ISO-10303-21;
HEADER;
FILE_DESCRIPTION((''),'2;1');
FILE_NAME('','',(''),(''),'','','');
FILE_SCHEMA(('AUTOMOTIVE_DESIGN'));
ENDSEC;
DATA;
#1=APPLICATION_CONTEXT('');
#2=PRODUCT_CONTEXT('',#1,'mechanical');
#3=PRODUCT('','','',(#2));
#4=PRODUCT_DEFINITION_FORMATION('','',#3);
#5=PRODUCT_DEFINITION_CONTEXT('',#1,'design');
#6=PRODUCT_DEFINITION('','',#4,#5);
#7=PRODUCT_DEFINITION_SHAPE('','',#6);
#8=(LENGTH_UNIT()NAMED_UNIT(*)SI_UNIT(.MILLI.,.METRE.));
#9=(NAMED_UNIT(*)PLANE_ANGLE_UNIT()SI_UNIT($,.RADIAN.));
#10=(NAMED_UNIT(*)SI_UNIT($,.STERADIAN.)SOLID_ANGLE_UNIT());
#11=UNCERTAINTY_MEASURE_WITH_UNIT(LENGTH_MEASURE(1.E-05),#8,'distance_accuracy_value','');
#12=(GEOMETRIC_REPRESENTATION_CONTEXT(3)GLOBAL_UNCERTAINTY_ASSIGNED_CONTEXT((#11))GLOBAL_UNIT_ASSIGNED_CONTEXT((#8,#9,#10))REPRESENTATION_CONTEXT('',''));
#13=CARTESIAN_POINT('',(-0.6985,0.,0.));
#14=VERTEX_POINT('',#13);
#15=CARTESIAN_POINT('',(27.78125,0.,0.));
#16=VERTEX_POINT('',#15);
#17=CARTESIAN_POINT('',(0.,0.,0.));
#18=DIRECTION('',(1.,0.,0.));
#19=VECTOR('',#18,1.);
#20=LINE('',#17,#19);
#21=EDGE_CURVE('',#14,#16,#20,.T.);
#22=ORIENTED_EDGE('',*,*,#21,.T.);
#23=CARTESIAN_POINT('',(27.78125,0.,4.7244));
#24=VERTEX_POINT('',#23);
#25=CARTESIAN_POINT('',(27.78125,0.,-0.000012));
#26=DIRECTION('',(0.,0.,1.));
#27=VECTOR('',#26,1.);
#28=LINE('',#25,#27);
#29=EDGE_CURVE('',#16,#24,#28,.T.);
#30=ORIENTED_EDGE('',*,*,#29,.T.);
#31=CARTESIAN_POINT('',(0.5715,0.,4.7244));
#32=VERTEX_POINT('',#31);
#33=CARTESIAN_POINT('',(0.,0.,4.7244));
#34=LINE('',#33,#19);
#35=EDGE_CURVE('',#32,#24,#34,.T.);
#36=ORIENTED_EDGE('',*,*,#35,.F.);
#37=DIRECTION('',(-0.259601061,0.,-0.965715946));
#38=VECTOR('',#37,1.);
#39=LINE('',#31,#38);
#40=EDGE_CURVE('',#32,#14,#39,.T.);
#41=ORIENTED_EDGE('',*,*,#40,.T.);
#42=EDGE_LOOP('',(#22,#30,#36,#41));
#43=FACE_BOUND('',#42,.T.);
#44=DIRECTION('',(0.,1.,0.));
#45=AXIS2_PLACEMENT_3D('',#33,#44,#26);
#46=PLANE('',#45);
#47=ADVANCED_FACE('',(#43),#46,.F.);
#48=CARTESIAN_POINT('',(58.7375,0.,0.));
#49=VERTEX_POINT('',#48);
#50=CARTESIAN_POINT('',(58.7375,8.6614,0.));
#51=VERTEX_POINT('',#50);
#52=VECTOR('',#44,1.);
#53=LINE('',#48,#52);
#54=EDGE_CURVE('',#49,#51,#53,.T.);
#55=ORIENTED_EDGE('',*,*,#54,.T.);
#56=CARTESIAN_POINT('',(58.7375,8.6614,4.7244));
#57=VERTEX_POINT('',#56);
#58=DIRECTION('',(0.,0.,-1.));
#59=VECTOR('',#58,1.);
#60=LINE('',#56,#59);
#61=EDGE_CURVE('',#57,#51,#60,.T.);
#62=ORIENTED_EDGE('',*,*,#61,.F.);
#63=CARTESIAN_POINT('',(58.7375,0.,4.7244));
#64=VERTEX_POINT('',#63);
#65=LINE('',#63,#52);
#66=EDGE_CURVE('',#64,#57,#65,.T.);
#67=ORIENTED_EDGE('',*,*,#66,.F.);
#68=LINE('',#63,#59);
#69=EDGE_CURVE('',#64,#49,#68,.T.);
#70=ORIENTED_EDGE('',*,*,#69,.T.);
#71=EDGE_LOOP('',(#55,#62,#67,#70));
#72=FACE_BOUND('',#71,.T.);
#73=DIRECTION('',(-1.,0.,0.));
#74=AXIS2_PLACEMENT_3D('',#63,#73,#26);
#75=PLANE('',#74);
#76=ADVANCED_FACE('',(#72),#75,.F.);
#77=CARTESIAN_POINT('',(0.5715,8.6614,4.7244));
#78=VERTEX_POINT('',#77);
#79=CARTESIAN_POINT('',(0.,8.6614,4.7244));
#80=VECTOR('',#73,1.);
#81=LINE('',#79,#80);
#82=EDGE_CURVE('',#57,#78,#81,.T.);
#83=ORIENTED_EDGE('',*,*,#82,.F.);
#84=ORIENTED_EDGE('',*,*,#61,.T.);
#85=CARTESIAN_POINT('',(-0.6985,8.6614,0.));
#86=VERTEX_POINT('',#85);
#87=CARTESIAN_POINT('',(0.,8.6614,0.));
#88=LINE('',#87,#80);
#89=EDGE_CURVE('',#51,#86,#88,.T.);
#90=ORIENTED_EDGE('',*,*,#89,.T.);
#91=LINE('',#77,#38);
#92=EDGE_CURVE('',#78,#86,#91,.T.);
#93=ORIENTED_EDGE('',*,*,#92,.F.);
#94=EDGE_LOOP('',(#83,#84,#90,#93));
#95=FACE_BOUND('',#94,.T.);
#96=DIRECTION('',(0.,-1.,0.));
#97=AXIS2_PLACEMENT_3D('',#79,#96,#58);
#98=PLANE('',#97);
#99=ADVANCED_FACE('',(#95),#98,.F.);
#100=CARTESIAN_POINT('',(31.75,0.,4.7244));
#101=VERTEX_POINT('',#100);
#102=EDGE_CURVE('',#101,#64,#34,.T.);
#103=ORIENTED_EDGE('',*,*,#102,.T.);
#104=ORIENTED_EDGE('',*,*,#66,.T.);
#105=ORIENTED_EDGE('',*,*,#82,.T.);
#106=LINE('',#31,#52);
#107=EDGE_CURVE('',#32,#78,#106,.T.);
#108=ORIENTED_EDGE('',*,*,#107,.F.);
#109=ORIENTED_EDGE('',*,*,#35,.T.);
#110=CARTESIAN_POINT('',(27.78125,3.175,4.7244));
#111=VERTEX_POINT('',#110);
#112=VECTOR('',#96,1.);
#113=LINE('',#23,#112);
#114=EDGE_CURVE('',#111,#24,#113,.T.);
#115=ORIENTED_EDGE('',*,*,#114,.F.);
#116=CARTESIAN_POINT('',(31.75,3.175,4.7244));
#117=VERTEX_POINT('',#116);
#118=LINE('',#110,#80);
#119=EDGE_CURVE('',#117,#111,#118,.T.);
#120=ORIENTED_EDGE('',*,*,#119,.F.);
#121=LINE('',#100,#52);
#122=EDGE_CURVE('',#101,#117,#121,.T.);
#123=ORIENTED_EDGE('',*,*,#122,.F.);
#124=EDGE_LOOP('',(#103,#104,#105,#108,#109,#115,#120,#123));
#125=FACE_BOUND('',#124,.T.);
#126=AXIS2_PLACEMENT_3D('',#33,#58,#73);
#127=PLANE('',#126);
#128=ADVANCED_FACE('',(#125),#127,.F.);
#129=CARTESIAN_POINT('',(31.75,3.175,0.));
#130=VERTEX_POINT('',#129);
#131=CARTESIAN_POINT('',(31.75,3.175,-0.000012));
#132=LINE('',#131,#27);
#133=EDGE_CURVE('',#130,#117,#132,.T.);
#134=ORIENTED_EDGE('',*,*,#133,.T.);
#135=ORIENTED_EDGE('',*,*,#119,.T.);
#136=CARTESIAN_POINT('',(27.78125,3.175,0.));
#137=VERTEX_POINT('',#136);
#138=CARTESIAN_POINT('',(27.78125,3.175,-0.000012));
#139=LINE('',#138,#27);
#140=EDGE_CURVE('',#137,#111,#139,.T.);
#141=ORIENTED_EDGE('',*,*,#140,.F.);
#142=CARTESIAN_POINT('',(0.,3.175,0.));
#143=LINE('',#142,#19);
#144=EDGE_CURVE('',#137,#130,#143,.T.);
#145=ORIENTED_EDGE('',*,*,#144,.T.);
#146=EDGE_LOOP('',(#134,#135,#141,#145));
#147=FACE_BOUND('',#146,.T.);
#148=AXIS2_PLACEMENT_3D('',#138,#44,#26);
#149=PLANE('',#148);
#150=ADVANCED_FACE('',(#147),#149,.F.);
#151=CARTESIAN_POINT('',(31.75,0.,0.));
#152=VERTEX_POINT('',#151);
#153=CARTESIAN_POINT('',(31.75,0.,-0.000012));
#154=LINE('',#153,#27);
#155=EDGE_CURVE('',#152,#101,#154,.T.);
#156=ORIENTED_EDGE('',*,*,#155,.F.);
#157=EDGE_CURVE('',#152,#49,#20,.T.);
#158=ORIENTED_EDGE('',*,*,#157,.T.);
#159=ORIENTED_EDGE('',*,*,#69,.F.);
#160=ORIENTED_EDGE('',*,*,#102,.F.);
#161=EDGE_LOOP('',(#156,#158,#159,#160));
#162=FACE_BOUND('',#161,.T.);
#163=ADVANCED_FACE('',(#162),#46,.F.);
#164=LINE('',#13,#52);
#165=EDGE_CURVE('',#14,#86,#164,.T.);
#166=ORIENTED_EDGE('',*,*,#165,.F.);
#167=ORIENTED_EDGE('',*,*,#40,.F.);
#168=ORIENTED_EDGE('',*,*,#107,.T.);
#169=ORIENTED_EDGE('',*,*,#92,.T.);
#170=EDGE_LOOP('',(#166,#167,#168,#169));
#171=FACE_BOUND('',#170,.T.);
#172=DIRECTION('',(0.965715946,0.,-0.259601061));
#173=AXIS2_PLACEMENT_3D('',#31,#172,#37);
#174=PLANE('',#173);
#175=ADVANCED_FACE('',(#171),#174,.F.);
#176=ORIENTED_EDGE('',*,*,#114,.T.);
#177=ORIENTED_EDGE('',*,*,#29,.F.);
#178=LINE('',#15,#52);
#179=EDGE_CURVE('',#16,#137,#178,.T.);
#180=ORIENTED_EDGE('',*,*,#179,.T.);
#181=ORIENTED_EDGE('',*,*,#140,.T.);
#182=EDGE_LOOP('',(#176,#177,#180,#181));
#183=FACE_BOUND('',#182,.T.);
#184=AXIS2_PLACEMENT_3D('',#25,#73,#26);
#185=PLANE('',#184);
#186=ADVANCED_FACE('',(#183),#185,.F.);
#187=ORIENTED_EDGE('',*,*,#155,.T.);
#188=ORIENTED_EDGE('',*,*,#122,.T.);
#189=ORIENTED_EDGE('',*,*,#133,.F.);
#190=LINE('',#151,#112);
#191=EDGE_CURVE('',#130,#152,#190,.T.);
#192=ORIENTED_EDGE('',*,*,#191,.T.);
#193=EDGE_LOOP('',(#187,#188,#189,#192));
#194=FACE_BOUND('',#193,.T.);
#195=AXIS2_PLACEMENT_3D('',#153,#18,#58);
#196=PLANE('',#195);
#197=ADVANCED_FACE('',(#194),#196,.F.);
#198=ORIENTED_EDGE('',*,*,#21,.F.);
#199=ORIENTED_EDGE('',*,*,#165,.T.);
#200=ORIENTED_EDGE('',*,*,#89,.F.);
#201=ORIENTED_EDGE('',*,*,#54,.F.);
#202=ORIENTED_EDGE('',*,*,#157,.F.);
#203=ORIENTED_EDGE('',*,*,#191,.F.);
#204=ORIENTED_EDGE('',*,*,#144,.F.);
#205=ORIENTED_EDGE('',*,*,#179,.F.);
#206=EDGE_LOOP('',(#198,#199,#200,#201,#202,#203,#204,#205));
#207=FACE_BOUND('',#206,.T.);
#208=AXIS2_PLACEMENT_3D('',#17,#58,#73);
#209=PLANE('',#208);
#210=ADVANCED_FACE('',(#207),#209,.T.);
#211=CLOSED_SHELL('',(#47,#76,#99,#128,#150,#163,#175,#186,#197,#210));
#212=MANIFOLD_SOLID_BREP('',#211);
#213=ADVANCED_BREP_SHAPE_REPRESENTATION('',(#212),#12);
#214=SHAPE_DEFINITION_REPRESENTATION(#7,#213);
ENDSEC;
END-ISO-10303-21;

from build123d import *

# Parameters (mm, degrees)
CROQUIS1_W                 = 58.7375
CROQUIS1_H                 = 8.6614
SALIENTE_EXTRUIR1_DEPTH    = 4.7244
CORTAR_EXTRUIR2_DEPTH      = 60.560336732
CORTAR_EXTRUIR2_DEPTH_BACK = 60.560336732
CROQUIS2_W                 = 3.96875
CROQUIS2_H                 = 3.175
CORTAR_EXTRUIR4_DEPTH      = 60.560336732
SALIENTE_EXTRUIR2_DEPTH    = 8.6614


with BuildPart() as part:
    # Croquis1 → Saliente-Extruir1 (new body)
    with BuildSketch(Plane.XY):
        with Locations((29.36875, 4.3307)):
            Rectangle(CROQUIS1_W, CROQUIS1_H)
    extrude(amount=SALIENTE_EXTRUIR1_DEPTH)

    # Croquis2 → Cortar-Extruir2 (cut, two sides: drawn at the far end of the back side and taken through both)
    with BuildSketch(Plane.XY.offset(-CORTAR_EXTRUIR2_DEPTH_BACK)):
        with Locations((29.765625, 1.5875)):
            Rectangle(CROQUIS2_W, CROQUIS2_H)
    extrude(amount=CORTAR_EXTRUIR2_DEPTH + CORTAR_EXTRUIR2_DEPTH_BACK, mode=Mode.SUBTRACT)

    # Croquis4 → Cortar-Extruir4 (cut, through all)
    with BuildSketch(Plane(origin=(0, 8.6614, 0), x_dir=(1, 0, 0), z_dir=(0, 1, 0))):
        Polygon((0.5715, -4.7244), (0, -4.7244), (0, -2.223247059), align=None)
    extrude(amount=-CORTAR_EXTRUIR4_DEPTH, mode=Mode.SUBTRACT)

    # Croquis5 → Saliente-Extruir2 (add)
    with BuildSketch(Plane(origin=(0, 8.6614, 0), x_dir=(1, 0, 0), z_dir=(0, 1, 0))):
        Polygon((-0.6985, 0), (0.28575, 0), (0.5715, -4.7244), align=None)
    extrude(amount=-SALIENTE_EXTRUIR2_DEPTH)


solid = part.part
